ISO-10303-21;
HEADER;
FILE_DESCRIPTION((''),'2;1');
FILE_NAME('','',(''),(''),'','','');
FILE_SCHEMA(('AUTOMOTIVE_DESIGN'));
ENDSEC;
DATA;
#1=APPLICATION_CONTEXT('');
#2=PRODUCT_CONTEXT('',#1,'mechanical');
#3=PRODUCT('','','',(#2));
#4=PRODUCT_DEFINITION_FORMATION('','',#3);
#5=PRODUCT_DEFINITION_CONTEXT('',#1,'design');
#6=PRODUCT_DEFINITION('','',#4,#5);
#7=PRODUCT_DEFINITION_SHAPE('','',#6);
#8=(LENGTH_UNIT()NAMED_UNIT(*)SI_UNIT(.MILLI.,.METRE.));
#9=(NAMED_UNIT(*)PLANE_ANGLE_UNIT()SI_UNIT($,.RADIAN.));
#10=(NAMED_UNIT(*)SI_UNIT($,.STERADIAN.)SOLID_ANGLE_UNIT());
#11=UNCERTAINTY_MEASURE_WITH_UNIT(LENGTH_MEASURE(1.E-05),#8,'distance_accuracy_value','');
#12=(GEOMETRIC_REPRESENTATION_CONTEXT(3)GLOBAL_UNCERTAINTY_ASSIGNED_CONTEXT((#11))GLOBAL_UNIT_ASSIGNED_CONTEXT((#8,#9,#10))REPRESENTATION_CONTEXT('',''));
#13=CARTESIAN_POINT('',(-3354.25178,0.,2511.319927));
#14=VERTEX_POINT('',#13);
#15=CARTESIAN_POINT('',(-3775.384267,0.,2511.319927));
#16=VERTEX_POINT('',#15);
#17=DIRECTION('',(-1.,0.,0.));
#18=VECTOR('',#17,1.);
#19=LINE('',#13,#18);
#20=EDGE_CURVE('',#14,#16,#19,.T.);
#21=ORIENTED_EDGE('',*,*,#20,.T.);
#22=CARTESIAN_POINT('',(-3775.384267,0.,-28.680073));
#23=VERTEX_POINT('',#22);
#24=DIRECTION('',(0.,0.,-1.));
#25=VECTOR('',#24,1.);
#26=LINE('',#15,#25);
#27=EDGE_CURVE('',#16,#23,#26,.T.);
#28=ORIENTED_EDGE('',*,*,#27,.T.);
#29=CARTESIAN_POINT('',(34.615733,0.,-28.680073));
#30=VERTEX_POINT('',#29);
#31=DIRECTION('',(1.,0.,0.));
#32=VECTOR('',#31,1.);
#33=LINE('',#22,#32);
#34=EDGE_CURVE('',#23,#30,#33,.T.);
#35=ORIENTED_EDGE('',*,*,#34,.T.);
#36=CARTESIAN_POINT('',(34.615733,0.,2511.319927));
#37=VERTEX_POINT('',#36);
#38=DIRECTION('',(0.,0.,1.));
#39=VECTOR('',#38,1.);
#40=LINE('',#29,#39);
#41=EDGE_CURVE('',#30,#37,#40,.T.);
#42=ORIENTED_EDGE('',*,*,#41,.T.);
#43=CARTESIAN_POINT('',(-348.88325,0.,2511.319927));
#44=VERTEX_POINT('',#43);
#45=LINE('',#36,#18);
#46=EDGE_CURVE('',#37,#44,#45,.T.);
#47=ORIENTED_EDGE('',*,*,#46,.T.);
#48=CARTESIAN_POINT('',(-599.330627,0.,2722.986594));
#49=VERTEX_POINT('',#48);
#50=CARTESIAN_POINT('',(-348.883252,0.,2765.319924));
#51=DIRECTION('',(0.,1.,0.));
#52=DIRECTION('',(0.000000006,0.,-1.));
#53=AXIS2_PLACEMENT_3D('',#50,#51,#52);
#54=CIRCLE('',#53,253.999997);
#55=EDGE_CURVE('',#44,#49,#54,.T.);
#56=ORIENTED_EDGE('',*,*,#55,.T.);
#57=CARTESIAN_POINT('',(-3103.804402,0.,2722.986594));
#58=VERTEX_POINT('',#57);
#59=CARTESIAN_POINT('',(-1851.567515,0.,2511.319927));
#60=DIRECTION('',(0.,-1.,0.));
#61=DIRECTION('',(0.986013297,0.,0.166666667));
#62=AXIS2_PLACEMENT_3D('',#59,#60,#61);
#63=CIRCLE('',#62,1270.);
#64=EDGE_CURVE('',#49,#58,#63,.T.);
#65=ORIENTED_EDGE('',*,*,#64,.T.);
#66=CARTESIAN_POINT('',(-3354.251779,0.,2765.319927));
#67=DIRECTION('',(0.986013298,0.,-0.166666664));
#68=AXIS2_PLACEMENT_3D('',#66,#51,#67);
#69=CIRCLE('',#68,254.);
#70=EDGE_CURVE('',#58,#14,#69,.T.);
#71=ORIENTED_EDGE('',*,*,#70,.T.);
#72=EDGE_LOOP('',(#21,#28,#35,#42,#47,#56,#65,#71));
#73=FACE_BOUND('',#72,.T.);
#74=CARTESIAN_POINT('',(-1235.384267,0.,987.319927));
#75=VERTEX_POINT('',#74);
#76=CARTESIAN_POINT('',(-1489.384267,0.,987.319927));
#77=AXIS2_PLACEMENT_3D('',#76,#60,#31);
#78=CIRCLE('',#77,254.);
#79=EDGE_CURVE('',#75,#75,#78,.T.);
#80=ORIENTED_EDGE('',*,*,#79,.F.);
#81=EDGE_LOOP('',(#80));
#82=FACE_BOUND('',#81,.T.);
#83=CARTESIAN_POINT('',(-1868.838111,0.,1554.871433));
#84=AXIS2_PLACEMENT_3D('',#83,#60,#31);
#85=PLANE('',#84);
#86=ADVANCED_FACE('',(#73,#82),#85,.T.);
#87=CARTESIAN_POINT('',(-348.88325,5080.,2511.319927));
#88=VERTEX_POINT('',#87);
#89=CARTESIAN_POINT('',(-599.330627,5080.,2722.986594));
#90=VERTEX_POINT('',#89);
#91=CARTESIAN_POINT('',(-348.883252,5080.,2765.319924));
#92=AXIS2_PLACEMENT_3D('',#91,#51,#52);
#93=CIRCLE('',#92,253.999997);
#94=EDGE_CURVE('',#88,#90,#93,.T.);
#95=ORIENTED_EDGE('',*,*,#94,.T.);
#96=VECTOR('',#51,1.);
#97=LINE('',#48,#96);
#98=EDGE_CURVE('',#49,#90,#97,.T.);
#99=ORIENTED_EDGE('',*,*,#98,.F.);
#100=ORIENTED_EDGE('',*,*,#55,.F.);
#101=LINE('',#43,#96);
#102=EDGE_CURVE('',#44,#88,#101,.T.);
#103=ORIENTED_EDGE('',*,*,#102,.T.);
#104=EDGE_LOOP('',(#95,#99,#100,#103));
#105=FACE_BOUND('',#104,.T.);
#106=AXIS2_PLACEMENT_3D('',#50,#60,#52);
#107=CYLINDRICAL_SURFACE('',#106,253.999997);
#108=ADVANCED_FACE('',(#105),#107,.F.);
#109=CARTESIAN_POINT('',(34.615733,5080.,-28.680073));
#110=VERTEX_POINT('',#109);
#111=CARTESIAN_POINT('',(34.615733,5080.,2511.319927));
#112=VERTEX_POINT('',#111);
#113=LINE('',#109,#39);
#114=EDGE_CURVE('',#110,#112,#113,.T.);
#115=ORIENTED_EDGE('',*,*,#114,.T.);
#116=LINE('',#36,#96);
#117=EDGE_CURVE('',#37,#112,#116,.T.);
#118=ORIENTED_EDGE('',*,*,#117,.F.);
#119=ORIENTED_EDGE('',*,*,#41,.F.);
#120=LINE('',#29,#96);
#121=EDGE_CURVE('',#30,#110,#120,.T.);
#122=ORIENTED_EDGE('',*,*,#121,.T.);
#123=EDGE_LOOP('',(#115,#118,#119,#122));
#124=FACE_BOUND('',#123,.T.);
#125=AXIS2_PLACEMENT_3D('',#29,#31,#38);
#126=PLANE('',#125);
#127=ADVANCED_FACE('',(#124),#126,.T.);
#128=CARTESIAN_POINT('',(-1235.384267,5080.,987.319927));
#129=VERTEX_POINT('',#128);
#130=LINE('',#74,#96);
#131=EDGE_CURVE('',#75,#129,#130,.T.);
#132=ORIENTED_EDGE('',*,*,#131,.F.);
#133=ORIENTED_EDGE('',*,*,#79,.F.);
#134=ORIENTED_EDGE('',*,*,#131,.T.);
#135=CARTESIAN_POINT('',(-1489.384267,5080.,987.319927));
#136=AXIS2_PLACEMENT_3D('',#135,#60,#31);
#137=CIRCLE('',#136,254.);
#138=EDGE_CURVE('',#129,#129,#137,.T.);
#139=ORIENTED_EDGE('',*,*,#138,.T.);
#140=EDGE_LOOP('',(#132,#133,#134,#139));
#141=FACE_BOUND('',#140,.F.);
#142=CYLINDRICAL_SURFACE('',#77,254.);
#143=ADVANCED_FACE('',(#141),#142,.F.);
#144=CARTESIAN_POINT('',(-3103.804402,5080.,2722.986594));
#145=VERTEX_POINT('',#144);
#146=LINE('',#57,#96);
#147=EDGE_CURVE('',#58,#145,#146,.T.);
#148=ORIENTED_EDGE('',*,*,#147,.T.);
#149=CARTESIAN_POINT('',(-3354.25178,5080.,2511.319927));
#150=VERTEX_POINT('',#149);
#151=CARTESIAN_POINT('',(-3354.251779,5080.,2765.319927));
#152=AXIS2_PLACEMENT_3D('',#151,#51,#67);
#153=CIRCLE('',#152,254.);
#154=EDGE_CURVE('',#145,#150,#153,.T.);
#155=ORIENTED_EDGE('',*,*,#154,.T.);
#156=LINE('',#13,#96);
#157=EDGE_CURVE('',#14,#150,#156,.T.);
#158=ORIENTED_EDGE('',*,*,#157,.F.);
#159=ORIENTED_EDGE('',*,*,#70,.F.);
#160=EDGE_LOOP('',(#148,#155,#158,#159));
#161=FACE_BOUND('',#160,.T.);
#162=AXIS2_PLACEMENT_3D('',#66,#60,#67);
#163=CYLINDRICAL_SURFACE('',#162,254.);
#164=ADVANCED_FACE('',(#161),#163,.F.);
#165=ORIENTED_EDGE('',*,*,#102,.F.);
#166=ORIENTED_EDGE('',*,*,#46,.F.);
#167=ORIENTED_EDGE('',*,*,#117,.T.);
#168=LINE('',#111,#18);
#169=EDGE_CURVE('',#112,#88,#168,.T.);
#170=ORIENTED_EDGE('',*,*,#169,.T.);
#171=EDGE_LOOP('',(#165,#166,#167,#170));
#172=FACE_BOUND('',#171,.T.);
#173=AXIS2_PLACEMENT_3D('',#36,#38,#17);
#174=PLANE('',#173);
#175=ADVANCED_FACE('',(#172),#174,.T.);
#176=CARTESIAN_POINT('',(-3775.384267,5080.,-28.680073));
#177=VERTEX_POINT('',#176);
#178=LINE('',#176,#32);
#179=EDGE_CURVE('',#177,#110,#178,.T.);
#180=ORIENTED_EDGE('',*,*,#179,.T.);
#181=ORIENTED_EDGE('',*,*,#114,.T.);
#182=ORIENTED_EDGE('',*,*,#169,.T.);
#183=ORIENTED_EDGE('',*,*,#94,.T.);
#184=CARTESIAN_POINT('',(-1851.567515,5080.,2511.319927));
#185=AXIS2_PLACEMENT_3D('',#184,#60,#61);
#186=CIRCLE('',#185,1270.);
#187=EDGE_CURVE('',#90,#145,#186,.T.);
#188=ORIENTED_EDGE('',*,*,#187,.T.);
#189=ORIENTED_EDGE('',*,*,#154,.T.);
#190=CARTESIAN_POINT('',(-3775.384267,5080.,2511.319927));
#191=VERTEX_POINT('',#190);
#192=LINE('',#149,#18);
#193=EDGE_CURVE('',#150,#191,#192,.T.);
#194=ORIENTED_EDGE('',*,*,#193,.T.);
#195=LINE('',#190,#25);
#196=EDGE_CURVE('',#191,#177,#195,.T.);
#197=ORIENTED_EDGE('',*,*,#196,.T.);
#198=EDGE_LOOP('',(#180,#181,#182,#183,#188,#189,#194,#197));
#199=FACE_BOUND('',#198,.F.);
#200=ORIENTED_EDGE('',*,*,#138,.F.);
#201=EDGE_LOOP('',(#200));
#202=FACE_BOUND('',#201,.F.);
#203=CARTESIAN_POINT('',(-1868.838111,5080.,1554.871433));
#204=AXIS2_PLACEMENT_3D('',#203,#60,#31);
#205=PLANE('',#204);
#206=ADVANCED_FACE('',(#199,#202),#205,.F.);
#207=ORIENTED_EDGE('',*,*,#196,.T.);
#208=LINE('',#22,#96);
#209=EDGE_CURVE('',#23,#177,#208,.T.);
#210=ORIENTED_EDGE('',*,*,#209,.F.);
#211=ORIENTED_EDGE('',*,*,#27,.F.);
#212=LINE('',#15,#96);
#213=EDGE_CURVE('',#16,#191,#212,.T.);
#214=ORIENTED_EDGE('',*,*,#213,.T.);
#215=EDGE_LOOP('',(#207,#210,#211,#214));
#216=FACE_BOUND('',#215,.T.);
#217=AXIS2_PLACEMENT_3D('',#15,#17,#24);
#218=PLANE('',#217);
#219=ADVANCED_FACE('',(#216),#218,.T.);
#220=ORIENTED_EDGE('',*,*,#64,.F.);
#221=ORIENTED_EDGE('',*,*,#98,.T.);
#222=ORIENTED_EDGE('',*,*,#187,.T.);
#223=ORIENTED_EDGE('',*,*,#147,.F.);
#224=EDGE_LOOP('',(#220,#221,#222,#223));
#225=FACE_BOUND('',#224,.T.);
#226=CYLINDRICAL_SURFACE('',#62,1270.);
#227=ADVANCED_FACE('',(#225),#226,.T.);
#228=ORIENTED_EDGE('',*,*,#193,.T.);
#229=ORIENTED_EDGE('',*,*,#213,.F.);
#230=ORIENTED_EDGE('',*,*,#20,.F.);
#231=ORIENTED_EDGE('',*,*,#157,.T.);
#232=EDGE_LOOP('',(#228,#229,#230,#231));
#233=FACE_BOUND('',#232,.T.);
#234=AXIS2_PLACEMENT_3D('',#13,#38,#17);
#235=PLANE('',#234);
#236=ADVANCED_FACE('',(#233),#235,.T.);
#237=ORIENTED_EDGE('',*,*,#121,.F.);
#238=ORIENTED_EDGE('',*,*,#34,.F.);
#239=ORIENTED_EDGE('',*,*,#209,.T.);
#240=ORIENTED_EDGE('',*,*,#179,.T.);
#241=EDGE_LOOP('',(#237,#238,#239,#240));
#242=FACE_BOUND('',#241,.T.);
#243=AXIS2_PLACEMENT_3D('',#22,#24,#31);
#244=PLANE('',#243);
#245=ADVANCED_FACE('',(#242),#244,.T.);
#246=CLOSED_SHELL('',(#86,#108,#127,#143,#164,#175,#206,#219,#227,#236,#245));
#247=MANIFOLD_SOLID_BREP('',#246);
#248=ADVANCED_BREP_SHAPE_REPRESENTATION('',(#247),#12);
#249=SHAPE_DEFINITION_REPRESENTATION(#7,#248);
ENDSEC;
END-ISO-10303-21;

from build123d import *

# Parameters (mm, degrees)
F1_DEPTH = 5080
F2_R     = 254
F3_DEPTH = 7620


with BuildPart() as f1:
    # F0 (on Front) → F1 (new body)
    with BuildSketch(Plane.XZ):
        with BuildLine():
            Line((-3354.25178, 2511.319927), (-3775.384267, 2511.319927))
            Line((-3775.384267, 2511.319927), (-3775.384267, -28.680073))
            Line((-3775.384267, -28.680073), (34.615733, -28.680073))
            Line((34.615733, -28.680073), (34.615733, 2511.319927))
            Line((34.615733, 2511.319927), (-348.88325, 2511.319927))
            ThreePointArc((-348.88325, 2511.319927), (-512.839545, 2571.324222), (-599.330627, 2722.986594))
            ThreePointArc((-599.330627, 2722.986594), (-1851.567515, 3781.319927), (-3103.804402, 2722.986594))
            ThreePointArc((-3103.804402, 2722.986594), (-3190.295485, 2571.324222), (-3354.25178, 2511.319927))
        make_face()
    extrude(amount=-F1_DEPTH)

    # F2 (on face) → F3 (intersect)
    with BuildSketch(Plane.XZ):
        with BuildLine():
            ThreePointArc((-599.330627, 2722.986594), (-1851.567515, 3781.319927), (-3103.804402, 2722.986594))
            ThreePointArc((-3103.804402, 2722.986594), (-3190.295485, 2571.324222), (-3354.25178, 2511.319927))
            Line((-3354.25178, 2511.319927), (-3775.384267, 2511.319927))
            Line((-3775.384267, 2511.319927), (-3775.384267, -28.680073))
            Line((-3775.384267, -28.680073), (34.615733, -28.680073))
            Line((34.615733, -28.680073), (34.615733, 2511.319927))
            Line((34.615733, 2511.319927), (-348.88325, 2511.319927))
            ThreePointArc((-348.88325, 2511.319927), (-512.839545, 2571.324222), (-599.330627, 2722.986594))
        make_face()
        with Locations((-1489.384267, 987.319927)):
            Circle(F2_R, mode=Mode.SUBTRACT)
    extrude(amount=-F3_DEPTH, mode=Mode.INTERSECT)


solid = f1.part
